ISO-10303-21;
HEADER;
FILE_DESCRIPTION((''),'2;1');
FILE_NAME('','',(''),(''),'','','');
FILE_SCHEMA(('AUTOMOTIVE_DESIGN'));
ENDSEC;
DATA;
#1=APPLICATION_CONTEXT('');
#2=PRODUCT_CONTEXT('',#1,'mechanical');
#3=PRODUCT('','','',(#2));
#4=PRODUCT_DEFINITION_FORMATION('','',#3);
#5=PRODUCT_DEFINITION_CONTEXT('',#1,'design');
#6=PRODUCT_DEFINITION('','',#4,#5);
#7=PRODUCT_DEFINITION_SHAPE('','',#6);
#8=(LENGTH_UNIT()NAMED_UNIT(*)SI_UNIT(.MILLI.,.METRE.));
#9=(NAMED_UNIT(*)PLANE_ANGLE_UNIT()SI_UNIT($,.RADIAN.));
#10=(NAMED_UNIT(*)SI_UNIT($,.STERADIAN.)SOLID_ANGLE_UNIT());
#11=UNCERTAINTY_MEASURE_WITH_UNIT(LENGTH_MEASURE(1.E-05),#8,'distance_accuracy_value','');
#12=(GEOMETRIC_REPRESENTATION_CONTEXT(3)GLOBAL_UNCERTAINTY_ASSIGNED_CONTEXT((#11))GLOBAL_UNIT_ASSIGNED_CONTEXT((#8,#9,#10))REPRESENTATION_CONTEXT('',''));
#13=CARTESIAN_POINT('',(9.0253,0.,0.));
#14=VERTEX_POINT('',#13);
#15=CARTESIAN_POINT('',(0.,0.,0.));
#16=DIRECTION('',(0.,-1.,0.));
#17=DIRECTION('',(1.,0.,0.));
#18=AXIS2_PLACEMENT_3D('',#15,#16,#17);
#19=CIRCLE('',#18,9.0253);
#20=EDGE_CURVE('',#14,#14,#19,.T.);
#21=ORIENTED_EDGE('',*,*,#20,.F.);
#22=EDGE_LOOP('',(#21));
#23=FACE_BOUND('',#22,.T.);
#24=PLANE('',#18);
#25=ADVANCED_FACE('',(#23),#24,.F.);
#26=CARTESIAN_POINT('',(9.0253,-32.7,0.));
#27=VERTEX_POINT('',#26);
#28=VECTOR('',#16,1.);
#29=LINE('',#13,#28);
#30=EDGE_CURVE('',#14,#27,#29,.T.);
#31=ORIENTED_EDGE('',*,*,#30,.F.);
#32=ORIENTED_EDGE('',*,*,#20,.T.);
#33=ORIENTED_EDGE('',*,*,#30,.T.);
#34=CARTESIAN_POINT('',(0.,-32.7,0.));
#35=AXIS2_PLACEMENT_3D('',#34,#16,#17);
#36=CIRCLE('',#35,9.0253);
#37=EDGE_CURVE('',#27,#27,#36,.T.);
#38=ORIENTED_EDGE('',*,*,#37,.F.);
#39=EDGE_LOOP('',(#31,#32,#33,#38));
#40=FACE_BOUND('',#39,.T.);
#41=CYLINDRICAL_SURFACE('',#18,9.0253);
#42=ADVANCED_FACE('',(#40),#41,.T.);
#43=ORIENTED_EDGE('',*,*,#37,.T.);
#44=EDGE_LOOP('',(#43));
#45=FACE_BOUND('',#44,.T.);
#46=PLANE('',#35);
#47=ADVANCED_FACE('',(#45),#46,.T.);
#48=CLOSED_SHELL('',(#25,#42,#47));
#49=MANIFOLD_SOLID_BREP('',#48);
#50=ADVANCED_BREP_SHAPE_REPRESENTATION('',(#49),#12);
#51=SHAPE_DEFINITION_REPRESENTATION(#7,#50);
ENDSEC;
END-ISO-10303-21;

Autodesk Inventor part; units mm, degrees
ref_plane "YZ Plane" through (0, 0, 0) normal (1, 0, 0) x (0, 1, 0)
ref_plane "XZ Plane" through (0, 0, 0) normal (0, 1, 0) x (-1, 0, 0)
ref_plane "XY Plane" through (0, 0, 0) normal (0, 0, 1) x (1, 0, 0)
sketch "Szkic1" plane through (0, 0, 0) normal (0, 0, 1) x (1, 0, 0)
  line L0 (0, 0) -> (14.1, 0) construction
  line L1 (0, 0) -> (0, -32.7) construction
  line L2 (14.1, 0) -> (14.1, -32.7)
  line L3 (0, 0) -> (0, 3)
  arc A0 (9.0253, 0) -> (0, 3) centre (-0.3652, -13.1746) ccw
  line L4 (9.0253, 0) -> (14.1, 1.8667)
  line L5 (14.1, 1.8667) -> (14.1, 0)
  line L6 (0, 0) -> (0, -32.7)
  line L7 (14.1, -32.7) -> (0, -32.7)
  line L8 (9.0253, 0) -> (9.0253, -32.7)
  line L9 (0, 0) -> (9.0253, 0)
  dimension "d0" = 14.1
  dimension "d1" = 32.7
  dimension "d2" = 3
revolve "Obrót2" add sketch "Szkic1" angle 360 about axis through (0, 0, 0) along (0, -1, 0) contours L7 L6 L9 L8
properties part number "obiektyw1"
